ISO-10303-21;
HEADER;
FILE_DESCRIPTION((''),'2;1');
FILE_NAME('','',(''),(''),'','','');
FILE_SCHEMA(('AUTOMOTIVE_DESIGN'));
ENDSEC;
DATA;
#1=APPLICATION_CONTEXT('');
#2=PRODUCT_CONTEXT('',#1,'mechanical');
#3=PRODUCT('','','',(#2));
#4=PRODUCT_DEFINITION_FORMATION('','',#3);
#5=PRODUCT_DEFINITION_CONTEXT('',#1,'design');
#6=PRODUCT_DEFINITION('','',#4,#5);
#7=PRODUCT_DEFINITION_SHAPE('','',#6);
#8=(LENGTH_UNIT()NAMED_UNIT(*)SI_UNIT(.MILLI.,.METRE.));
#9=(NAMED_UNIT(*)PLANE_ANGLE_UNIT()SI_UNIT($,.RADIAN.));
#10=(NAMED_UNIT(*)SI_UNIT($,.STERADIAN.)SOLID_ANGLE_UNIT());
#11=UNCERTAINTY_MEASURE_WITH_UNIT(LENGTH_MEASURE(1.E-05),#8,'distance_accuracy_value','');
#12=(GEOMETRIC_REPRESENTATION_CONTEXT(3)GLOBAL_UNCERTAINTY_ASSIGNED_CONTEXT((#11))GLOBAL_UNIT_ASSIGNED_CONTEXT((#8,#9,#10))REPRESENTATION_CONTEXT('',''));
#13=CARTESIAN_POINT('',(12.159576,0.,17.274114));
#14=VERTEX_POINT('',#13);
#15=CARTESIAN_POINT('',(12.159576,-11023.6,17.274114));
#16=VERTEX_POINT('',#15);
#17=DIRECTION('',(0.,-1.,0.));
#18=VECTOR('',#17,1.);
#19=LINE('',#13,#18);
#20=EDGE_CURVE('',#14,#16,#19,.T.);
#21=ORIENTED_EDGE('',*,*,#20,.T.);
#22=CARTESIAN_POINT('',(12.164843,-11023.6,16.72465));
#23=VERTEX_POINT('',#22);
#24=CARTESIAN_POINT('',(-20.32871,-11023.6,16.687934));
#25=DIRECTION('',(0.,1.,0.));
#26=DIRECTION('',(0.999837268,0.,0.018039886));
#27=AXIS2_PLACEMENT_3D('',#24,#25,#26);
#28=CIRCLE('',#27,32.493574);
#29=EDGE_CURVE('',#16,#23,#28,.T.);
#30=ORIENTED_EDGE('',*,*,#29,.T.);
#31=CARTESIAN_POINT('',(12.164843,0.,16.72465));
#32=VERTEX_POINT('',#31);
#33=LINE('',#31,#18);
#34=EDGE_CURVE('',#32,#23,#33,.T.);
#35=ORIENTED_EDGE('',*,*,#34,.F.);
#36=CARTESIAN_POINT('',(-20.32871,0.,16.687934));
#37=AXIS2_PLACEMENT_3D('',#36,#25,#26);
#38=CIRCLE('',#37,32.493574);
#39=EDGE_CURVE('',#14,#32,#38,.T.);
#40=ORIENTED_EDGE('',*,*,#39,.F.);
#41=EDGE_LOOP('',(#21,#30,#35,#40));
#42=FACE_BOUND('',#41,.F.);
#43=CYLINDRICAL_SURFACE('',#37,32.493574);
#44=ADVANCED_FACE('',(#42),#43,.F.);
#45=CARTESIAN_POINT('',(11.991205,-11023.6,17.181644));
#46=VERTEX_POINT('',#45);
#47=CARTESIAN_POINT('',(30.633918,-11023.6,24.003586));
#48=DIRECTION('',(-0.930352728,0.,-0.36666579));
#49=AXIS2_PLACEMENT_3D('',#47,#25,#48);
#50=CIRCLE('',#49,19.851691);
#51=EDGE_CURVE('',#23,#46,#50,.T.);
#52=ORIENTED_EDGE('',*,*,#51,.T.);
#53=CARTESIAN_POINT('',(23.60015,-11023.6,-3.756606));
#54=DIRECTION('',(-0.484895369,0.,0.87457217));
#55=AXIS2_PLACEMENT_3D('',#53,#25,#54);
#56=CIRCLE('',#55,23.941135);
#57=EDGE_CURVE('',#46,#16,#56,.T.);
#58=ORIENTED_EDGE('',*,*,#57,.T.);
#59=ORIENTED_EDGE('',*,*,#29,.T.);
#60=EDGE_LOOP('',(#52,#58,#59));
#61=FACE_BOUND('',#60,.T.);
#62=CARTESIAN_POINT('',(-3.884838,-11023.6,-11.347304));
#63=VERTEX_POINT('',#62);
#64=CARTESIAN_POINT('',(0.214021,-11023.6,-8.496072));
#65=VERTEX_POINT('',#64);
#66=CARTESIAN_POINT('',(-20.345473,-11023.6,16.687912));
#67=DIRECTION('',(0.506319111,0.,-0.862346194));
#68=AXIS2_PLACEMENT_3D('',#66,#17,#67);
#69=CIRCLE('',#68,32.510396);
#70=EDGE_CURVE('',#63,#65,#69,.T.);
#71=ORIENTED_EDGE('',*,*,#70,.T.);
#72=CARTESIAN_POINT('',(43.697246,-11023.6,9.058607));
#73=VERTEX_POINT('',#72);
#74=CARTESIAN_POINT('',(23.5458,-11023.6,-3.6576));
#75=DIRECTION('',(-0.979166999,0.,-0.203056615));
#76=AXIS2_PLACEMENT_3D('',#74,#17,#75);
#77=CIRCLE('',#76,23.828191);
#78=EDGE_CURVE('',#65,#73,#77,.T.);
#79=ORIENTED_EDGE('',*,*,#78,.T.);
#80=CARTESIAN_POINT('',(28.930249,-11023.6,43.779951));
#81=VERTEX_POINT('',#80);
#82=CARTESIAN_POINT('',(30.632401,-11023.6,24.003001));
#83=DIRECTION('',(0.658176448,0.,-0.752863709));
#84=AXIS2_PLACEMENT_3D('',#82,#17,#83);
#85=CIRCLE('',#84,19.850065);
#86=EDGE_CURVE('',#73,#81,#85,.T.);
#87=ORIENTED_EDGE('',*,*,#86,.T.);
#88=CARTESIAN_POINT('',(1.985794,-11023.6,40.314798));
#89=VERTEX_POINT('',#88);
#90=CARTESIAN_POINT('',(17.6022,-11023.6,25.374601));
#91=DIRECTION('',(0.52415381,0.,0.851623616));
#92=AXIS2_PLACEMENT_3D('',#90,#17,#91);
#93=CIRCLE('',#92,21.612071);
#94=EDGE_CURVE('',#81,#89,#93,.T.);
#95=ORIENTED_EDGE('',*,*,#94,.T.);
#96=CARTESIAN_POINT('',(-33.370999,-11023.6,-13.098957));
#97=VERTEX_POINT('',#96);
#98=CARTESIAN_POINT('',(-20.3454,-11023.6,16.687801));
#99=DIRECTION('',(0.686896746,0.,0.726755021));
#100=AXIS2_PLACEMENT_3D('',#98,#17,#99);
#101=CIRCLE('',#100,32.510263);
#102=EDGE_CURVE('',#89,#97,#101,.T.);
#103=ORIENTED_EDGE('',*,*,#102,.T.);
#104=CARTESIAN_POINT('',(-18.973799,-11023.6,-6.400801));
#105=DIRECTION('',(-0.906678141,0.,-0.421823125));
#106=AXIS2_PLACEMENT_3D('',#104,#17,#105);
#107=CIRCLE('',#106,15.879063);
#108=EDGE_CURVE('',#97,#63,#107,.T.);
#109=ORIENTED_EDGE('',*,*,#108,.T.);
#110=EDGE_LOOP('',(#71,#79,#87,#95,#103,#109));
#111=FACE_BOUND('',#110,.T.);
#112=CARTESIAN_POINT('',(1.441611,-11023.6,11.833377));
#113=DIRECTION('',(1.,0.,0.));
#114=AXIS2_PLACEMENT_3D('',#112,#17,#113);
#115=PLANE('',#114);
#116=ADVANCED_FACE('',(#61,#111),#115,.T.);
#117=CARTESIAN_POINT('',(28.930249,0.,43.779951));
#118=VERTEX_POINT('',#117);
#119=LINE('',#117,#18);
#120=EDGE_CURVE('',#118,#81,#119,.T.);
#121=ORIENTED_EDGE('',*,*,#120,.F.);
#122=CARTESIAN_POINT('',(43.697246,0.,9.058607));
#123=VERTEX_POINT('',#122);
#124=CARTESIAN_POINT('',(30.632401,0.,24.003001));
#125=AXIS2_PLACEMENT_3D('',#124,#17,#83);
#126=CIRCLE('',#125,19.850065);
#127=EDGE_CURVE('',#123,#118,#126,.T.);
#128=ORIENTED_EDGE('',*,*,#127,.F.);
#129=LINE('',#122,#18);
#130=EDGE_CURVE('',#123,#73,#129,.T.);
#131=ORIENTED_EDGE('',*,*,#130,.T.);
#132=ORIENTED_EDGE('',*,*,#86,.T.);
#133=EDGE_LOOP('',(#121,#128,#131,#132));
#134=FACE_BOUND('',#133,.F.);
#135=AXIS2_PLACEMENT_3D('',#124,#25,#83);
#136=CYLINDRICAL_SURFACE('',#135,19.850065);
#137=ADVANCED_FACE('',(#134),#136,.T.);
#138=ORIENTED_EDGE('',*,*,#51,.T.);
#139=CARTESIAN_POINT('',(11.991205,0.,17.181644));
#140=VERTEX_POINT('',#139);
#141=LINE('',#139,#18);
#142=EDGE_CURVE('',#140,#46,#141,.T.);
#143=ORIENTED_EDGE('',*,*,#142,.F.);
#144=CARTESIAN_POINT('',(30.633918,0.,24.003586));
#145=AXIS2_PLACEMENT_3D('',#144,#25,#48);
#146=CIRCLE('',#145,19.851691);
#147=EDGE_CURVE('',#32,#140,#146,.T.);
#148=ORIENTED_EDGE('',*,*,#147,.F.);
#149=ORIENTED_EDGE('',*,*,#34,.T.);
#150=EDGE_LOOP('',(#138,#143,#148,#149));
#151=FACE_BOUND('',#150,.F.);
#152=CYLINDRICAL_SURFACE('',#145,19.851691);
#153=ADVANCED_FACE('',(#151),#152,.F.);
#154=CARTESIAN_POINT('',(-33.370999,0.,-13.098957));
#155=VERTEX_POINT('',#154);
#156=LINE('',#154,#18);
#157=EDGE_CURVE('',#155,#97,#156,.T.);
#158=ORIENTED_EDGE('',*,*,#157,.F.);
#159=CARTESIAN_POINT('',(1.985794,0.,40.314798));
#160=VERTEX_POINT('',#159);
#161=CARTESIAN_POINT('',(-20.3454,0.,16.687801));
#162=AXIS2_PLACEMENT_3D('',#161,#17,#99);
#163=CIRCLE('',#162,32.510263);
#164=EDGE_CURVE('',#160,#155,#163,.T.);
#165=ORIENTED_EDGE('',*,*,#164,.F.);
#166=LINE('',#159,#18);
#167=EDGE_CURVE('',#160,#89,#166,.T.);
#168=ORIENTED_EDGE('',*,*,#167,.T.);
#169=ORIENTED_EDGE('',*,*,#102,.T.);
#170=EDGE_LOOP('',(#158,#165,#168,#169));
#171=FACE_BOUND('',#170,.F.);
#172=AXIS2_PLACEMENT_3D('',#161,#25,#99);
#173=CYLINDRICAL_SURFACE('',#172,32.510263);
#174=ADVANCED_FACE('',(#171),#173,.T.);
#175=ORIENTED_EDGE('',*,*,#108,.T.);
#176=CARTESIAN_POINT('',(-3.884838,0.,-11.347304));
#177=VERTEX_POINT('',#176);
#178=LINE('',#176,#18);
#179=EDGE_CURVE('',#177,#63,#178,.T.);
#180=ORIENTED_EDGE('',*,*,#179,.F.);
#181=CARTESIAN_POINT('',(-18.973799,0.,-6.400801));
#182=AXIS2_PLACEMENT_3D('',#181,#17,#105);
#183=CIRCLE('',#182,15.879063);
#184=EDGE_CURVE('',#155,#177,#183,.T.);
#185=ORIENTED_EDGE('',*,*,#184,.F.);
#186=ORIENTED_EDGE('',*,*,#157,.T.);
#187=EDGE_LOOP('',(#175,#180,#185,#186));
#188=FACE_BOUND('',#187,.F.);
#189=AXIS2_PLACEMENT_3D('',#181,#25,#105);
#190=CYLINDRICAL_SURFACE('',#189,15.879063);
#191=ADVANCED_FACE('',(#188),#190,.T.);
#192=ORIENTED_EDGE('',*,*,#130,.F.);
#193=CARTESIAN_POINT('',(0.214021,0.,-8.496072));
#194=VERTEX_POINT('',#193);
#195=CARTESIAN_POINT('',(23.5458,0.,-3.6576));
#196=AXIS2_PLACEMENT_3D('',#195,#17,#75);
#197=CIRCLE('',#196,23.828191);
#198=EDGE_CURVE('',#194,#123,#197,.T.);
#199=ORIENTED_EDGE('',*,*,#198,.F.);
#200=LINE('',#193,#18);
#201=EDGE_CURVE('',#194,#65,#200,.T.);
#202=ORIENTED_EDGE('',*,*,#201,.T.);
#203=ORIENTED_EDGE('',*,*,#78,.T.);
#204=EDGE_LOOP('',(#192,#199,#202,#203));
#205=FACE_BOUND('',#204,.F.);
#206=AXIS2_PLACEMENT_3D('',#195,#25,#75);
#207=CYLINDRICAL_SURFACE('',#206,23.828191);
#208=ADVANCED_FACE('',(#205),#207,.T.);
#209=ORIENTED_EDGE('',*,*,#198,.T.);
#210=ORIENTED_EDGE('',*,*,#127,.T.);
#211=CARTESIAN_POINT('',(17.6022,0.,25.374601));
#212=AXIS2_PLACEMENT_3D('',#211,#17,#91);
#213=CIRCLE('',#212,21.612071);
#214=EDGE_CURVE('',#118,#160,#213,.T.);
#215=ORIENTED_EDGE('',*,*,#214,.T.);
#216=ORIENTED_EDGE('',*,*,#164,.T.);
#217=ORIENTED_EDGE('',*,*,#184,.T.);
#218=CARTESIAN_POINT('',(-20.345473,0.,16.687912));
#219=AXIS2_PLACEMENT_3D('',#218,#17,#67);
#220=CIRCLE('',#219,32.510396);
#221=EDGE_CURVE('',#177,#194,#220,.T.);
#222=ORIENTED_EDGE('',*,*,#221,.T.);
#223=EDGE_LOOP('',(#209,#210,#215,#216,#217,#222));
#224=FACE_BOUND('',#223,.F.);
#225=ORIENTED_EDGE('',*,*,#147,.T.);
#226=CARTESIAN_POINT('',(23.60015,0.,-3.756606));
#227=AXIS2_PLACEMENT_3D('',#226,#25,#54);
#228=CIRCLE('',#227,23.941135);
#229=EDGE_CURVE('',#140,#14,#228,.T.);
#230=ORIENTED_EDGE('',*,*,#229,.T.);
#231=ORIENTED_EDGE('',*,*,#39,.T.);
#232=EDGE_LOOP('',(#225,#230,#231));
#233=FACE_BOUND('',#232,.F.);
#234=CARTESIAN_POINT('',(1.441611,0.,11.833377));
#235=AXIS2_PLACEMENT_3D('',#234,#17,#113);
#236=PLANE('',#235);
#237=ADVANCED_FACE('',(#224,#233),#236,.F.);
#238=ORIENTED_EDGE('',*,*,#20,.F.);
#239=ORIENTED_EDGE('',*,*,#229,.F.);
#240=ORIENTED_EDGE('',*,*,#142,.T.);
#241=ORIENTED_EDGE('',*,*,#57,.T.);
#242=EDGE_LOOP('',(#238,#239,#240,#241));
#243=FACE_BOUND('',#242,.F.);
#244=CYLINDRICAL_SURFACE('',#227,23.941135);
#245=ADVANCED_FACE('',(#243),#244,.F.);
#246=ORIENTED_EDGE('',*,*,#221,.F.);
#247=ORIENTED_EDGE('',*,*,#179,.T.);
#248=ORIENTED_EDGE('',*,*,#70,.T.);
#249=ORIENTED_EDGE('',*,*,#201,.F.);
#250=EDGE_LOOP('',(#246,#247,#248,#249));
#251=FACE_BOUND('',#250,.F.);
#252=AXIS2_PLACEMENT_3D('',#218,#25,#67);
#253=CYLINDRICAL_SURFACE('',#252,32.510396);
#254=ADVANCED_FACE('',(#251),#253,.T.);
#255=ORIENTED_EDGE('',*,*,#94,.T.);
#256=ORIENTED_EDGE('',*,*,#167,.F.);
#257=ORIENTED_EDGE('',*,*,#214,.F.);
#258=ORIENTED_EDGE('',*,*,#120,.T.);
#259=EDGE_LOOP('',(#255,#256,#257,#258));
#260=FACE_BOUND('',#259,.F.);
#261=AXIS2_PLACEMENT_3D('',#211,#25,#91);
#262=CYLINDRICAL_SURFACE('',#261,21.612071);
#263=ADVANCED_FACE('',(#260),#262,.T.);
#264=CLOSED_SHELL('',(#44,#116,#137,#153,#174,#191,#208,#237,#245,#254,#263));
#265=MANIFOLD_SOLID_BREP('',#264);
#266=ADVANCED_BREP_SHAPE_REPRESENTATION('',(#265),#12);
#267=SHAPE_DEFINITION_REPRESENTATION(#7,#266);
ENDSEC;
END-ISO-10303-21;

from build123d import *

# Parameters (mm, degrees)
F1_DEPTH = 11023.6


with BuildPart() as f1:
    # F0 (on Front) → F1 (new body)
    with BuildSketch(Plane.XZ):
        with BuildLine():
            ThreePointArc((43.697246, 9.058607), (48.899054, 31.771814), (28.930249, 43.779951))
            ThreePointArc((28.930249, 43.779951), (14.845513, 46.810139), (1.985794, 40.314798))
            ThreePointArc((1.985794, 40.314798), (-47.454546, 34.632477), (-33.370999, -13.098957))
            ThreePointArc((-33.370999, -13.098957), (-18.032149, -22.251919), (-3.884838, -11.347304))
            ThreePointArc((-3.884838, -11.347304), (-1.78059, -10.000493), (0.214021, -8.496072))
            ThreePointArc((0.214021, -8.496072), (32.466019, -25.753129), (43.697246, 9.058607))
        make_face()
        with BuildLine():
            ThreePointArc((12.164843, 16.72465), (12.076617, 16.952613), (11.991205, 17.181644))
            ThreePointArc((11.991205, 17.181644), (12.075298, 17.228048), (12.159576, 17.274114))
            ThreePointArc((12.159576, 17.274114), (12.163371, 16.999393), (12.164843, 16.72465))
        make_face(mode=Mode.SUBTRACT)
    extrude(amount=F1_DEPTH)


solid = f1.part
